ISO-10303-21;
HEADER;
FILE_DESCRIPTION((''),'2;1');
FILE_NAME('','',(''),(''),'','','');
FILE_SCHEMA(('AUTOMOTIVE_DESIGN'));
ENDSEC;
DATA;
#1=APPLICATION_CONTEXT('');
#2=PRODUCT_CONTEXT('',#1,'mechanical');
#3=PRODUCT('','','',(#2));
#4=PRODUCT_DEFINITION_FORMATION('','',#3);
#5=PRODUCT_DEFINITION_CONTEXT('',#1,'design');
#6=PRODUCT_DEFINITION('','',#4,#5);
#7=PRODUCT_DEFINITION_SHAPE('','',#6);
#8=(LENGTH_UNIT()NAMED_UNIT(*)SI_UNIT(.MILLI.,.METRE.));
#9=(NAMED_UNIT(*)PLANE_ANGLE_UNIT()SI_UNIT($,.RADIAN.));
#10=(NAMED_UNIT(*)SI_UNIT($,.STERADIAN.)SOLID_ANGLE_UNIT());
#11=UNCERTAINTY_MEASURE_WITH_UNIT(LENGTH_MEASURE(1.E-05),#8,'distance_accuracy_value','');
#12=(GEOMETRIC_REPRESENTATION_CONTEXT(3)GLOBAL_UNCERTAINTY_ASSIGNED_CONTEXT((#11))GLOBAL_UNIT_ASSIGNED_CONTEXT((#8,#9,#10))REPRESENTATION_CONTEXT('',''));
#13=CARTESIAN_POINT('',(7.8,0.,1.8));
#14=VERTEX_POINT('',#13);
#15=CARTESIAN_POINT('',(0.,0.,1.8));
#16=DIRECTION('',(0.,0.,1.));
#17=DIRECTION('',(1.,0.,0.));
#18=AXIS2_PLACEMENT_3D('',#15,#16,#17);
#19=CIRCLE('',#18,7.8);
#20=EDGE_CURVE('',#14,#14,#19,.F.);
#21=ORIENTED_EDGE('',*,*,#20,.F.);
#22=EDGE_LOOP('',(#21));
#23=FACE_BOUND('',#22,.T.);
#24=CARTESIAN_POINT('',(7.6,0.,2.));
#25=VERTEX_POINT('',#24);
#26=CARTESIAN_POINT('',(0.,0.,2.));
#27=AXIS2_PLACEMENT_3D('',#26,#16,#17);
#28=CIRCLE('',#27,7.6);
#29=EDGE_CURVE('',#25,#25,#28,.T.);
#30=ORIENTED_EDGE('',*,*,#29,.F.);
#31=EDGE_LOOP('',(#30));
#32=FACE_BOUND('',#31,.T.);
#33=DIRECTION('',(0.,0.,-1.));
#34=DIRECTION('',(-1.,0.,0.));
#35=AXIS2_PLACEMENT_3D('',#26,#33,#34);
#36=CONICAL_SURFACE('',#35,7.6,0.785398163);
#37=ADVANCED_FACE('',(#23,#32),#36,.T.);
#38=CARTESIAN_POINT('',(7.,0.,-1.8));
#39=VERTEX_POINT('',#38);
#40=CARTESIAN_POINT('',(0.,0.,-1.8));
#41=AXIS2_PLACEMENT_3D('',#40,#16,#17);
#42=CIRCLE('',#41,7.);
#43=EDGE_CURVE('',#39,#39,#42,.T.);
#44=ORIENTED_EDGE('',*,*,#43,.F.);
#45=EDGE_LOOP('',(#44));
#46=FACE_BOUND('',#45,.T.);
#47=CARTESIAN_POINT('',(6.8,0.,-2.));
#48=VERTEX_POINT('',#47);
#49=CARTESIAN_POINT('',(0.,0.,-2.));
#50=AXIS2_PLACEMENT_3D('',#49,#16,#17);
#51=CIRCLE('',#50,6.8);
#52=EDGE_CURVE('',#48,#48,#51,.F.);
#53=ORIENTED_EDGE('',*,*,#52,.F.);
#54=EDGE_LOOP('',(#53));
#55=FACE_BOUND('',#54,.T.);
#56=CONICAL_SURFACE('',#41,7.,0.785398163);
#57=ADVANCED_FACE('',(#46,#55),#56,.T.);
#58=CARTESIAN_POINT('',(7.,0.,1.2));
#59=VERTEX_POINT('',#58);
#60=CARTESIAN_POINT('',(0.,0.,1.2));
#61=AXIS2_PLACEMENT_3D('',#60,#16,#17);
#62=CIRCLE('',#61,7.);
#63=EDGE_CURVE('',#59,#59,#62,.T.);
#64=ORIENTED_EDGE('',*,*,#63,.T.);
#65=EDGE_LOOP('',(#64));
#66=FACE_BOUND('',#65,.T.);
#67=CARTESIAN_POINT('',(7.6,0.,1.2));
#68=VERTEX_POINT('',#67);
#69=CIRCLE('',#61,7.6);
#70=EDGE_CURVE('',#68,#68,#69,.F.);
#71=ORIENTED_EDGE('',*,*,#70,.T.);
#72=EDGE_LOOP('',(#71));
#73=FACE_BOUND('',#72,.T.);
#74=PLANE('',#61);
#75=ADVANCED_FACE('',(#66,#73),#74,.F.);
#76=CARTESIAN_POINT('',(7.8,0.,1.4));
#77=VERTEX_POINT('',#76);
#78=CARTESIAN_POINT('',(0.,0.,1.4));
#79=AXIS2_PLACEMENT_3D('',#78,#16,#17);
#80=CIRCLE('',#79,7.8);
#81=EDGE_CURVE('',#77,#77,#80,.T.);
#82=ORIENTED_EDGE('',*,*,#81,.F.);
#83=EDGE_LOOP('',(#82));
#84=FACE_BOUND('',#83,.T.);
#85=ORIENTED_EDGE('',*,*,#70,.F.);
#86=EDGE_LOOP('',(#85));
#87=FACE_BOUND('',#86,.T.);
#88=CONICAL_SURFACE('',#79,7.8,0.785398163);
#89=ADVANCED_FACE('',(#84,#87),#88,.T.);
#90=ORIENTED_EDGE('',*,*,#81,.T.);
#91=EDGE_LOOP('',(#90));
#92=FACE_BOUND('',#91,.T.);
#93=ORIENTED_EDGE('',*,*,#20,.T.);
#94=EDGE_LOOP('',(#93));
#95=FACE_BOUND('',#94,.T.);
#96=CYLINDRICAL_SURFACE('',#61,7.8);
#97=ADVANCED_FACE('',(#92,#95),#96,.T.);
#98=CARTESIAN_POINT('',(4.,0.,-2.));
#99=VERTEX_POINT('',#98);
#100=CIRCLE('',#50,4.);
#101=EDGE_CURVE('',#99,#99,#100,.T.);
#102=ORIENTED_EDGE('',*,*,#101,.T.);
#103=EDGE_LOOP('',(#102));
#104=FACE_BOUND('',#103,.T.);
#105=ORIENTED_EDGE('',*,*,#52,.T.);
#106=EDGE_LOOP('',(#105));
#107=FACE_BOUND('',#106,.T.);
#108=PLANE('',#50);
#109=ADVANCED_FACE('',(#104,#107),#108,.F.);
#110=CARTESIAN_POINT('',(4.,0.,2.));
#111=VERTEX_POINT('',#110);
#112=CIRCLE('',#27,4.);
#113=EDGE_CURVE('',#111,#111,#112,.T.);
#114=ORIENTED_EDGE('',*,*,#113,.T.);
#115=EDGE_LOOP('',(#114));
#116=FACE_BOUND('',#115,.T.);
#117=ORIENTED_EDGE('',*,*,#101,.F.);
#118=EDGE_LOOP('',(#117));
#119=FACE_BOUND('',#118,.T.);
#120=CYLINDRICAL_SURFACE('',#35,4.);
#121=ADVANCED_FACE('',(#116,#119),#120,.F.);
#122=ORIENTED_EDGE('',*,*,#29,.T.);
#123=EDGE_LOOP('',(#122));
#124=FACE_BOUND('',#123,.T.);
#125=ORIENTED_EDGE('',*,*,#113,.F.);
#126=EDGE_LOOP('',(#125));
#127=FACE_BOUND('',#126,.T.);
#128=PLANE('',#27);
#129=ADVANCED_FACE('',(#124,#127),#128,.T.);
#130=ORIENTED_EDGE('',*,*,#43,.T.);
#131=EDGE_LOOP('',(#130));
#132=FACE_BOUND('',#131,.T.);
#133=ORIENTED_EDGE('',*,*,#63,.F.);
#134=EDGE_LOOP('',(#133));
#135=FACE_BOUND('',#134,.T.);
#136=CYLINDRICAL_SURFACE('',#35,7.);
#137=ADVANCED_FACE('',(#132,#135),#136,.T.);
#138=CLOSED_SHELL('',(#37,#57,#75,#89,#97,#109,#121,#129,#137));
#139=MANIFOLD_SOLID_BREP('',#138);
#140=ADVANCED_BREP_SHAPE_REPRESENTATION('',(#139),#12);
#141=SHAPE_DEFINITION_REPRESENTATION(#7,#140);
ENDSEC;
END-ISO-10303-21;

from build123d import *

# Parameters (mm, degrees)
SKETCH_1_R      = 7
SKETCH_1_R_2    = 4
EXTRUDE_1_DEPTH = 2
SKETCH_2_R      = 7.8
SKETCH_2_R_2    = 4
EXTRUDE_2_DEPTH = 0.8
CHAMFER_1_SIZE  = 0.2


with BuildPart() as part:
    # 草图1 → 凸台-拉伸1 (new body, symmetric)
    with BuildSketch(Plane.XY):
        Circle(SKETCH_1_R)
        Circle(SKETCH_1_R_2, mode=Mode.SUBTRACT)
    extrude(amount=EXTRUDE_1_DEPTH, both=True)

    # 草图2 → 凸台-拉伸2 (add)
    with BuildSketch(Plane.XY.offset(2)):
        Circle(SKETCH_2_R)
        Circle(SKETCH_2_R_2, mode=Mode.SUBTRACT)
    extrude(amount=-EXTRUDE_2_DEPTH)

    # 倒角1
    chamfer_1_edges = [part.edges().sort_by_distance(p)[0] for p in [
        (-7.8, 0, 2),
        (-7.8, 0, 1.2),
        (-7, 0, -2),
    ]]
    chamfer(chamfer_1_edges, length=CHAMFER_1_SIZE)


solid = part.part
